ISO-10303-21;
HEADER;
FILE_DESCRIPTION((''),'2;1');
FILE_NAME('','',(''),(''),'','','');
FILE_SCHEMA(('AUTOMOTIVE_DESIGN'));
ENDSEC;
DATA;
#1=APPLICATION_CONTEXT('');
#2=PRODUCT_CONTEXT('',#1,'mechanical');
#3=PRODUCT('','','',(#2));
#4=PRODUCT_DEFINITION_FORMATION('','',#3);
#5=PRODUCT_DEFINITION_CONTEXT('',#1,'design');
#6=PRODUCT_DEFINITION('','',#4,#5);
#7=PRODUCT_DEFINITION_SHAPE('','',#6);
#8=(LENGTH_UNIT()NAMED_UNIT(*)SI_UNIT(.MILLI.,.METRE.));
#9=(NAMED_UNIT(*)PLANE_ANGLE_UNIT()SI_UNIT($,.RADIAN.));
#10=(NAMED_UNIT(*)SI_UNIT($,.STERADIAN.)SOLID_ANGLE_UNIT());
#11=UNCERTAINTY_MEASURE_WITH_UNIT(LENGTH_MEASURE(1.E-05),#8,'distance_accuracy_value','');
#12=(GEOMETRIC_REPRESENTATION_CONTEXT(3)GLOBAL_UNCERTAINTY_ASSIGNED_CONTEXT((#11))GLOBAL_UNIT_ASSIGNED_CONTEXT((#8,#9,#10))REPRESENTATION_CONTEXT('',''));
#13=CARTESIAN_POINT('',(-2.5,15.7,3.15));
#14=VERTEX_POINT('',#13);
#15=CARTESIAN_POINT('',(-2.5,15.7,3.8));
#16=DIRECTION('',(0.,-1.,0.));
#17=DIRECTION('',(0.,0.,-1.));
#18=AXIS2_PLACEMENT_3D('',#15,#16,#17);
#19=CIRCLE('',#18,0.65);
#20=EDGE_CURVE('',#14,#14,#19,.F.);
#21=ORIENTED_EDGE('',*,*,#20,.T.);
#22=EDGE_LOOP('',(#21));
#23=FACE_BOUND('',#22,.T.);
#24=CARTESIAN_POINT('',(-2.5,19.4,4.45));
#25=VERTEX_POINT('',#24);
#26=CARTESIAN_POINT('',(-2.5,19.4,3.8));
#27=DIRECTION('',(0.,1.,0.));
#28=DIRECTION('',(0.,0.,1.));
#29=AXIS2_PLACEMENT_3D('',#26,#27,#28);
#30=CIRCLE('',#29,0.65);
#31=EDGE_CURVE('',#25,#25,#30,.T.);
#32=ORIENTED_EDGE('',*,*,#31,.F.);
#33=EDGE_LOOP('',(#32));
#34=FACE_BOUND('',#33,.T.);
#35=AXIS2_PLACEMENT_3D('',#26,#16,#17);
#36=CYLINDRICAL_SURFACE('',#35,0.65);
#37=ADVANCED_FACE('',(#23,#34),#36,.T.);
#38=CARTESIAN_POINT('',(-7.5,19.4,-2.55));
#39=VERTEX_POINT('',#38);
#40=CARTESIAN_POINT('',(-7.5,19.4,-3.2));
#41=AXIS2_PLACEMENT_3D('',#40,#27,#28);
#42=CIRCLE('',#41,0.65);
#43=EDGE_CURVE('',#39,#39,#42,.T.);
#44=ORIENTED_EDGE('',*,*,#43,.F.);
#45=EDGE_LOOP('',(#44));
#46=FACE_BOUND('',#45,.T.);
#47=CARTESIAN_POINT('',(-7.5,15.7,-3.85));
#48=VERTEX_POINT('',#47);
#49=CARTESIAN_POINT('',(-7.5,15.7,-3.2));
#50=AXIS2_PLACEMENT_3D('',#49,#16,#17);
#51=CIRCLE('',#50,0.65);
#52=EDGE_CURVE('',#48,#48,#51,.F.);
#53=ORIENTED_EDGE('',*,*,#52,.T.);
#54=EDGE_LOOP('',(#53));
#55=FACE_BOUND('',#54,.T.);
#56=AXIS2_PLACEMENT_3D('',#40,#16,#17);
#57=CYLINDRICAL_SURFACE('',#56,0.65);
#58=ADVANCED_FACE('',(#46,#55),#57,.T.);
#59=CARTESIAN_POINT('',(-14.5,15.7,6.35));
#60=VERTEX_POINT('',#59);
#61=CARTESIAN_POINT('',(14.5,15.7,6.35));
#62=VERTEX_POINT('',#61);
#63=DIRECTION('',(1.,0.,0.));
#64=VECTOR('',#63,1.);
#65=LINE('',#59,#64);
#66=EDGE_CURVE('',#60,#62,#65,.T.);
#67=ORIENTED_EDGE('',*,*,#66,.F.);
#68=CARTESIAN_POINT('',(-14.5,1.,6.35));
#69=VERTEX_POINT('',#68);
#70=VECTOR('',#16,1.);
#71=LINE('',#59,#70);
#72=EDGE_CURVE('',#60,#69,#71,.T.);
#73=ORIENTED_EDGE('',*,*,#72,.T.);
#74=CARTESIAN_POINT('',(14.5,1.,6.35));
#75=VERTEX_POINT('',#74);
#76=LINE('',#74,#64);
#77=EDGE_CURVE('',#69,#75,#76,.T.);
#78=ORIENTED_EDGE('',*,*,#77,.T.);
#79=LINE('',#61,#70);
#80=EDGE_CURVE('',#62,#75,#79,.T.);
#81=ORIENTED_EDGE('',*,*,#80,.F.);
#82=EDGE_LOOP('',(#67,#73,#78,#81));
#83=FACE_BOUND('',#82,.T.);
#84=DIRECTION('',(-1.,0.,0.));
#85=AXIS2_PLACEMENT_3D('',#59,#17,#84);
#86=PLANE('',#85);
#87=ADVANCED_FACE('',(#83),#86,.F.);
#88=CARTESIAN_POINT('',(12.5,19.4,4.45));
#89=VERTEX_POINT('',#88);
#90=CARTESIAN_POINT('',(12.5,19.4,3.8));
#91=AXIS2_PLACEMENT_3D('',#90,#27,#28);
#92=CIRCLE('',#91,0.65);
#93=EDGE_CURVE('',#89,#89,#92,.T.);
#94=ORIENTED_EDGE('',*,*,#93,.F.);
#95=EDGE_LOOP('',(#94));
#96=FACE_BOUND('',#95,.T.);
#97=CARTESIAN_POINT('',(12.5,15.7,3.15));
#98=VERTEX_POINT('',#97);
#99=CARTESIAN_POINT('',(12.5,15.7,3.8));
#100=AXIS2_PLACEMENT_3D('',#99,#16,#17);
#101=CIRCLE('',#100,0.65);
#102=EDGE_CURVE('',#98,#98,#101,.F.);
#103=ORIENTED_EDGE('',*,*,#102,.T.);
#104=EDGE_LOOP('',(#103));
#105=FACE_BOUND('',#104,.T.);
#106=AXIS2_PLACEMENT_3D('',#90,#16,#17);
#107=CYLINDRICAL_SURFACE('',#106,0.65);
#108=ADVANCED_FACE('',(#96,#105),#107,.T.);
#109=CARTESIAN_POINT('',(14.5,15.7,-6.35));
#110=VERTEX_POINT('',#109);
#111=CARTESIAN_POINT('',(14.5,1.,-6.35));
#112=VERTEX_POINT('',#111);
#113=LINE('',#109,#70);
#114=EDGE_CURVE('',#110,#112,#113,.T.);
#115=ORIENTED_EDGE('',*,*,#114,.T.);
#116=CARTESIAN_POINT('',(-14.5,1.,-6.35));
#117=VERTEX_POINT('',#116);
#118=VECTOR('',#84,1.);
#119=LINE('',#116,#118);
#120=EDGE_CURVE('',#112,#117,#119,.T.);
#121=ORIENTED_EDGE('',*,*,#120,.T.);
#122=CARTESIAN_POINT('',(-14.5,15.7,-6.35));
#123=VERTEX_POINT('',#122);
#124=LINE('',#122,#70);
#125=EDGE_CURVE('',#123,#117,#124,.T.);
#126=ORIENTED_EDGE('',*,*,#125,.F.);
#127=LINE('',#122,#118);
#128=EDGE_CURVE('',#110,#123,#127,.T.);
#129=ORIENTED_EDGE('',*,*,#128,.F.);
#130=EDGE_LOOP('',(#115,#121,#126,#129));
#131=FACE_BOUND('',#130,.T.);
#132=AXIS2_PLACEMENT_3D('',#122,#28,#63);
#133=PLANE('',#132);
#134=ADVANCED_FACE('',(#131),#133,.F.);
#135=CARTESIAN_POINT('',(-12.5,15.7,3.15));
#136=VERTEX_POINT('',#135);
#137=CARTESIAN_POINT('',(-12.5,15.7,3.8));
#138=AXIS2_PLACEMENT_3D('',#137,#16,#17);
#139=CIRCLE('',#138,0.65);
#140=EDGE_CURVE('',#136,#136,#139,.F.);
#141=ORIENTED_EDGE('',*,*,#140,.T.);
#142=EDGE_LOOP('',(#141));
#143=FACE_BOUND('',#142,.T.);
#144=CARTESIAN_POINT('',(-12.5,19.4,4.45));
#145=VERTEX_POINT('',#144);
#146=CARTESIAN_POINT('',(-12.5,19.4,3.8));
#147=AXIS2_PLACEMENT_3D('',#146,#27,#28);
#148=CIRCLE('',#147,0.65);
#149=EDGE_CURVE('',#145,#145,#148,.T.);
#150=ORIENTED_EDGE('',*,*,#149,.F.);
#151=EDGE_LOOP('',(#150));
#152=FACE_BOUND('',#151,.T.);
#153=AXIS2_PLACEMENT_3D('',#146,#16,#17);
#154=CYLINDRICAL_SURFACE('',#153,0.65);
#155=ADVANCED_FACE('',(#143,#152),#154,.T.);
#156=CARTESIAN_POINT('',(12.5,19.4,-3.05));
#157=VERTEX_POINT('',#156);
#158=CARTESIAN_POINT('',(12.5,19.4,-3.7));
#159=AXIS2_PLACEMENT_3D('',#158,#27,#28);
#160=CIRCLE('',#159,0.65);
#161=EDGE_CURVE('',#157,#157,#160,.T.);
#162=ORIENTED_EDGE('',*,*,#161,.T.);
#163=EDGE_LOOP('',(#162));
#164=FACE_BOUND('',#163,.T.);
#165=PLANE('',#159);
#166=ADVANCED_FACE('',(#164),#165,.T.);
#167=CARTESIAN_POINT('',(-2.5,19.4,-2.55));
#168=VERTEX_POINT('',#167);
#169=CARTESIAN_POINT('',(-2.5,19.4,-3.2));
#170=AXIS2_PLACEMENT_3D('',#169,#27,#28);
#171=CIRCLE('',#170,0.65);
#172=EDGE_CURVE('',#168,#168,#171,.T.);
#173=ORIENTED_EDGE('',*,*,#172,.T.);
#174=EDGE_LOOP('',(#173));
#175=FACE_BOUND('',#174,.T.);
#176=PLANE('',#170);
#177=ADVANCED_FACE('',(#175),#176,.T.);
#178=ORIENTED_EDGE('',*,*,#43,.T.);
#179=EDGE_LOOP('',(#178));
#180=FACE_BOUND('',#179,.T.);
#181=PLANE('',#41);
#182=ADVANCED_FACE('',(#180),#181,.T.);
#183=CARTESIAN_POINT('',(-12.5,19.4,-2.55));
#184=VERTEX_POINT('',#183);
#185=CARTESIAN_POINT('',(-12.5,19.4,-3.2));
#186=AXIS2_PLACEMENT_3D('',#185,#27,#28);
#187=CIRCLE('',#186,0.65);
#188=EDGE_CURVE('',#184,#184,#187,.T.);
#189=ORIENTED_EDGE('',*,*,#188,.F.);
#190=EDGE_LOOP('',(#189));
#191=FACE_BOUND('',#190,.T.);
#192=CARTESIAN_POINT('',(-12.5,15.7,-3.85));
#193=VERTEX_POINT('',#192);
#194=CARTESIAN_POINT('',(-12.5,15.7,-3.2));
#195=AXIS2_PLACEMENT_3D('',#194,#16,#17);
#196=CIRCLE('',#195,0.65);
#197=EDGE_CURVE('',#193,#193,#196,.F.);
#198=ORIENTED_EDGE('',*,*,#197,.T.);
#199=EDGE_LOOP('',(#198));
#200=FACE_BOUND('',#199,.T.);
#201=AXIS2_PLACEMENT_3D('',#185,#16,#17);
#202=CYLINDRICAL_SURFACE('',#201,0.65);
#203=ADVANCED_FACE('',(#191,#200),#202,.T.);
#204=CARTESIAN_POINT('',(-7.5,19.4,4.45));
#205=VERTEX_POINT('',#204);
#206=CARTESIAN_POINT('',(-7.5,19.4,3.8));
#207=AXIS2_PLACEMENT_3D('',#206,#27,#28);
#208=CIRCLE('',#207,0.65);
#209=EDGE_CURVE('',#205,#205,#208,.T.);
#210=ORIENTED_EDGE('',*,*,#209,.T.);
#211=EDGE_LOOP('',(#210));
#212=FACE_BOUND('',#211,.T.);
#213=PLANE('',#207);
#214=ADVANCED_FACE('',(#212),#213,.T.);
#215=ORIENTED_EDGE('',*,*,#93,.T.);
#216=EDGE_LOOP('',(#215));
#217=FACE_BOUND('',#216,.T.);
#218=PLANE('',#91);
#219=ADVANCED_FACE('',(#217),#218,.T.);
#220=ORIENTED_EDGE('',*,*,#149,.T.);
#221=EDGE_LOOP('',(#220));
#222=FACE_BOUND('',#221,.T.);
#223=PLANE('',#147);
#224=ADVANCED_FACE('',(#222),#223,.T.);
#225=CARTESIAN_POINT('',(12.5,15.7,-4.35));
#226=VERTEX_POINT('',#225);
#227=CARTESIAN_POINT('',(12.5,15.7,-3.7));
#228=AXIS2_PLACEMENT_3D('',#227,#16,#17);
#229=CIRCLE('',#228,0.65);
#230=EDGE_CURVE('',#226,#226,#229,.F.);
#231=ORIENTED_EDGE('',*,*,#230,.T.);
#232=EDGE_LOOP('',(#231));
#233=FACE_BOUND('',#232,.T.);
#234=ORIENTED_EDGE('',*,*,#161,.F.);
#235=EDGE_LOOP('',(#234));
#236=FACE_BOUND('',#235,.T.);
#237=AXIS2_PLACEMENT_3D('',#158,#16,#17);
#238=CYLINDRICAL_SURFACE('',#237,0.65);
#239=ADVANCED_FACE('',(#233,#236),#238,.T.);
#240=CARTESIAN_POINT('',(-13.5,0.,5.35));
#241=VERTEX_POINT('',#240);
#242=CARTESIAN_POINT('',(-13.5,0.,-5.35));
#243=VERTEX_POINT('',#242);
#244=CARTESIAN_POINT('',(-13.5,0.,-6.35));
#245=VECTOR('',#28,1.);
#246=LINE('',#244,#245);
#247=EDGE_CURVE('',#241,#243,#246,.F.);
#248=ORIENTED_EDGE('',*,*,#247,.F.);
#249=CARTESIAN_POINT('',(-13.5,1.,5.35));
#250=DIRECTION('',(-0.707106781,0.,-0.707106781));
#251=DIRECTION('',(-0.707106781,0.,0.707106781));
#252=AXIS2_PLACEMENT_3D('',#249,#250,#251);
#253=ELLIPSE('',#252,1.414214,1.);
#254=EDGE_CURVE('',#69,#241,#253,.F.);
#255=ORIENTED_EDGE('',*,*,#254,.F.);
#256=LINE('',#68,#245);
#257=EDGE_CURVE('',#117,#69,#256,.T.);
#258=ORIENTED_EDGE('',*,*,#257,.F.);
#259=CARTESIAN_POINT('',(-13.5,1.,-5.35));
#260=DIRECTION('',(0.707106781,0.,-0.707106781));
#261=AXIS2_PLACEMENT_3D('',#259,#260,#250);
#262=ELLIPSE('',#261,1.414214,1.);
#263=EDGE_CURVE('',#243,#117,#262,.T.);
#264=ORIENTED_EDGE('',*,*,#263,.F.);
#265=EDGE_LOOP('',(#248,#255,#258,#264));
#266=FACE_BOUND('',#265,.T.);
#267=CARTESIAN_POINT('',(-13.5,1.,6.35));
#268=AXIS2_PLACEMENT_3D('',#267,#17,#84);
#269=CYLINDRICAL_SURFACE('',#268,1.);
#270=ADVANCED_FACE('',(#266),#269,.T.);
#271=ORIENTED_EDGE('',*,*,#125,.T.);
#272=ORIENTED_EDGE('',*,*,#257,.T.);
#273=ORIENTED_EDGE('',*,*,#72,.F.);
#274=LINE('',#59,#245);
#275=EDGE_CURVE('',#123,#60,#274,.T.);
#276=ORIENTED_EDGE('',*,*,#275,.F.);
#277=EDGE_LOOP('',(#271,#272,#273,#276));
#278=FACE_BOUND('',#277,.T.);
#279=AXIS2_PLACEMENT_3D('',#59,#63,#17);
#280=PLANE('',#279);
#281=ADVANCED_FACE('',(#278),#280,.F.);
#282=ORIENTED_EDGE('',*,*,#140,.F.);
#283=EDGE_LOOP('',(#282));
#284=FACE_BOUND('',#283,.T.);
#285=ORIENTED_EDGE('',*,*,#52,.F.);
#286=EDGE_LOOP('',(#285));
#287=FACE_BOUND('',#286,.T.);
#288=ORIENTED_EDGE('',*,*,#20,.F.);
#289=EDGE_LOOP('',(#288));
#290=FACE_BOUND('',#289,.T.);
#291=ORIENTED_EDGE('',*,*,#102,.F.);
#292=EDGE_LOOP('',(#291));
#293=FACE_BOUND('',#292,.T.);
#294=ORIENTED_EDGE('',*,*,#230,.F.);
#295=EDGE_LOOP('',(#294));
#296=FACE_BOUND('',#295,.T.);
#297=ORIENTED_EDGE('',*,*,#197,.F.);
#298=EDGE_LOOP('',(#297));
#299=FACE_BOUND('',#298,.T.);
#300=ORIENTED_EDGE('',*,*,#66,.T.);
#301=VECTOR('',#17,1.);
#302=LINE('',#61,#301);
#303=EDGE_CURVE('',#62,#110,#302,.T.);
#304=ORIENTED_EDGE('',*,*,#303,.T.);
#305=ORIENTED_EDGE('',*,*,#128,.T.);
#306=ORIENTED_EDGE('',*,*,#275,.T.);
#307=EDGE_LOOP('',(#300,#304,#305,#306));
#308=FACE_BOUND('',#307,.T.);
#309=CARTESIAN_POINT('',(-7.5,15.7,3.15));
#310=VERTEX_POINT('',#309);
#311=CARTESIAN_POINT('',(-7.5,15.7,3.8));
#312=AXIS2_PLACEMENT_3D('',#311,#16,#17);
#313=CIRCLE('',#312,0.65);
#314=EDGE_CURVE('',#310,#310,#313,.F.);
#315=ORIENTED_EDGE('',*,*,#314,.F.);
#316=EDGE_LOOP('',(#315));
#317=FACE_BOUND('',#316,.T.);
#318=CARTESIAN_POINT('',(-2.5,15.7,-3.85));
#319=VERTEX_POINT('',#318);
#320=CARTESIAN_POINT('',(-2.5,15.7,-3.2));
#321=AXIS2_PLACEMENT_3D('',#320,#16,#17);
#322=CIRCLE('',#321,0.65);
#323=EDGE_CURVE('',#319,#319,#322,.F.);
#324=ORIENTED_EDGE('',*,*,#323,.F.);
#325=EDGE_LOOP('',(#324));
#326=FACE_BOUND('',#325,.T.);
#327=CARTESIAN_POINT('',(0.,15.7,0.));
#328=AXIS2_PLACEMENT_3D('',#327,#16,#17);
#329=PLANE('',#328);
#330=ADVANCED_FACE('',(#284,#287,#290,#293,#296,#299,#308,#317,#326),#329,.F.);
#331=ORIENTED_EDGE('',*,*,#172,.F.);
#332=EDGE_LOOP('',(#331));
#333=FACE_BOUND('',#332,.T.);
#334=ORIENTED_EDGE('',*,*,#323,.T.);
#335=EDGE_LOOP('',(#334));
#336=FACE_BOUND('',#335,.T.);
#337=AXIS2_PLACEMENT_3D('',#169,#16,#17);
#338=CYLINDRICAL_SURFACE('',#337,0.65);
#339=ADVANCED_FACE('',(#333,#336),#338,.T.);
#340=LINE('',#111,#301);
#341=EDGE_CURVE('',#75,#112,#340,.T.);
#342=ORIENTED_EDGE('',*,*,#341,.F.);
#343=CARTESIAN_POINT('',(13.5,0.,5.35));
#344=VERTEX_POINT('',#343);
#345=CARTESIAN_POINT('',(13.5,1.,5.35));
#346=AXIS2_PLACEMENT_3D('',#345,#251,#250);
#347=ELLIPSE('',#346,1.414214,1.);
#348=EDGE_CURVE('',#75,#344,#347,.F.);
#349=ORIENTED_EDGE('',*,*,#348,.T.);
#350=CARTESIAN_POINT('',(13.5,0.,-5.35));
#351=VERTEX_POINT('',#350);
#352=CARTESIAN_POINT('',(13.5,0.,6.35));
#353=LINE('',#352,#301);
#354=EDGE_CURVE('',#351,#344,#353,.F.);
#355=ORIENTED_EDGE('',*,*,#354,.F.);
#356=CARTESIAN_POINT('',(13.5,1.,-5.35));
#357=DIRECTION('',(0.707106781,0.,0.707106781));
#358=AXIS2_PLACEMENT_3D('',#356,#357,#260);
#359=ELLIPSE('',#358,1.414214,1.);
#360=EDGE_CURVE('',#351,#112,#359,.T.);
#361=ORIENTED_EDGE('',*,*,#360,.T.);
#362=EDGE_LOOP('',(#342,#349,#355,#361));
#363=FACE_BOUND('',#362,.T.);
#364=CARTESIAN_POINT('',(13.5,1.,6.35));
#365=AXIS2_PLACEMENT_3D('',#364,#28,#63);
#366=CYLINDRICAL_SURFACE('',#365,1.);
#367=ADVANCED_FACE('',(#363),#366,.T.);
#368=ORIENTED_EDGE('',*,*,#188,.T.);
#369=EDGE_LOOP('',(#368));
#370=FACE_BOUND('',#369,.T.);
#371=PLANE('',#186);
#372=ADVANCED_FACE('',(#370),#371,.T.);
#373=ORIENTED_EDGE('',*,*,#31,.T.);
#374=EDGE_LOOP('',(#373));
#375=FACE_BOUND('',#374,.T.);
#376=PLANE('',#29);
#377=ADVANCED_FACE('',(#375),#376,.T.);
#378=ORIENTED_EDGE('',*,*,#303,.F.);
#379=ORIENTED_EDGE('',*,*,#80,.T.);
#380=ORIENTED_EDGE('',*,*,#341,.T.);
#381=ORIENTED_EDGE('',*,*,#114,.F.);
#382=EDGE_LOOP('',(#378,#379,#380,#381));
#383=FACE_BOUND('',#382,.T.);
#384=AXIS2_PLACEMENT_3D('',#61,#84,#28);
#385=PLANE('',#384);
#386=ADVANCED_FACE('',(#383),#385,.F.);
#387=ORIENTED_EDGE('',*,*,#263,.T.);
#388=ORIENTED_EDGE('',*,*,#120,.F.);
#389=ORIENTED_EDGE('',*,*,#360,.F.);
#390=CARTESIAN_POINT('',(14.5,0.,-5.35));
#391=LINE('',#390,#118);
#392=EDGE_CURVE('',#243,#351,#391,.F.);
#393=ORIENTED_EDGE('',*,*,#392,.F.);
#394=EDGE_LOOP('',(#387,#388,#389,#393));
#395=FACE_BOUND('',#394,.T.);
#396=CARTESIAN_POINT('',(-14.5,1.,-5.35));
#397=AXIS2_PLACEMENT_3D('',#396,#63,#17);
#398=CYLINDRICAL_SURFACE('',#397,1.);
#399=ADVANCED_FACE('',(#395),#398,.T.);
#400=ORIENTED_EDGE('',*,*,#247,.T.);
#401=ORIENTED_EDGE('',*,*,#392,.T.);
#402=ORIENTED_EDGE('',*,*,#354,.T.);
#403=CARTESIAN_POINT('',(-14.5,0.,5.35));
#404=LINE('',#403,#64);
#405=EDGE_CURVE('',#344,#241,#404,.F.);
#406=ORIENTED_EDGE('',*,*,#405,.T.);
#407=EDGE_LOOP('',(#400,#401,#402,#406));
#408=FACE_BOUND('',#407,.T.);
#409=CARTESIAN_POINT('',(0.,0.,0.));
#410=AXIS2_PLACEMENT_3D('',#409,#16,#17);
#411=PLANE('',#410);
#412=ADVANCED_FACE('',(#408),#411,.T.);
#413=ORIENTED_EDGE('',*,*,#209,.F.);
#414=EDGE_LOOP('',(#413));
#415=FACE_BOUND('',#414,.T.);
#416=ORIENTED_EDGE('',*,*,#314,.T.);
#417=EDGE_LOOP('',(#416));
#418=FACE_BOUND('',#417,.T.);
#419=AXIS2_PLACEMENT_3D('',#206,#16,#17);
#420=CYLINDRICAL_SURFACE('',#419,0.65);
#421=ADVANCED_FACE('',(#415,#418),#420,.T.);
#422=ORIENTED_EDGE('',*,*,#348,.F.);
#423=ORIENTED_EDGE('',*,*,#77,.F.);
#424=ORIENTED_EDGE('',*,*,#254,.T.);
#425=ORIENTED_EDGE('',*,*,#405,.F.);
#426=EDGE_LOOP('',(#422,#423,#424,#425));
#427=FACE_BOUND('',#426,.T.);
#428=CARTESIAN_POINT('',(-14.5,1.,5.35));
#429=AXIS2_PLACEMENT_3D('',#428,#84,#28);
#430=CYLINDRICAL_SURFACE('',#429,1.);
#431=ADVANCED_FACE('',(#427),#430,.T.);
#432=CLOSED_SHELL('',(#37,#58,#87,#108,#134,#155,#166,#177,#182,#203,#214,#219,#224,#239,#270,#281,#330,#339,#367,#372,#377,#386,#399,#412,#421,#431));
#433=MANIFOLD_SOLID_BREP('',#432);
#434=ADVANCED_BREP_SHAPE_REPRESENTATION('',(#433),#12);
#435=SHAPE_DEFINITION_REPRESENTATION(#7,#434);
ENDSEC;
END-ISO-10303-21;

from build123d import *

# Parameters (mm, degrees)
SKETCH1_W           = 29
SKETCH1_H           = 12.7
BOSS_EXTRUDE1_DEPTH = 15.7
SKETCH2_R           = 0.65
BOSS_EXTRUDE2_DEPTH = 3.7
FILLET1_R           = 1


with BuildPart() as part:
    # Sketch1 → Boss-Extrude1 (new body)
    with BuildSketch(Plane(origin=(0, 0, 0), x_dir=(1, 0, 0), z_dir=(0, 1, 0))):
        Rectangle(SKETCH1_W, SKETCH1_H)
    extrude(amount=BOSS_EXTRUDE1_DEPTH)

    # Sketch2 → Boss-Extrude2 (add)
    with BuildSketch(Plane(origin=(0, 15.7, 0), x_dir=(1, 0, 0), z_dir=(0, 1, 0))):
        with Locations(Location((12.5, -3.8, 0), (0, 0, 90))):
            Circle(SKETCH2_R)
        with Locations(Location((-12.5, -3.8, 0), (0, 0, 90))):
            Circle(SKETCH2_R)
        with Locations(Location((-7.5, 3.2, 0), (0, 0, 90))):
            Circle(SKETCH2_R)
        with Locations(Location((-2.5, -3.8, 0), (0, 0, 90))):
            Circle(SKETCH2_R)
        with Locations(Location((12.5, 3.7, 0), (0, 0, 90))):
            Circle(SKETCH2_R)
        with Locations(Location((-2.5, 3.2, 0), (0, 0, 90))):
            Circle(SKETCH2_R)
        with Locations(Location((-7.5, -3.8, 0), (0, 0, 90))):
            Circle(SKETCH2_R)
        with Locations(Location((-12.5, 3.2, 0), (0, 0, 90))):
            Circle(SKETCH2_R)
    extrude(amount=BOSS_EXTRUDE2_DEPTH)

    # Fillet1
    fillet1_edges = [part.edges().sort_by_distance(p)[0] for p in [
        (0, 0, 6.35),
        (-14.5, 0, 0),
        (0, 0, -6.35),
        (14.5, 0, 0),
    ]]
    fillet(fillet1_edges, radius=FILLET1_R)


solid = part.part
